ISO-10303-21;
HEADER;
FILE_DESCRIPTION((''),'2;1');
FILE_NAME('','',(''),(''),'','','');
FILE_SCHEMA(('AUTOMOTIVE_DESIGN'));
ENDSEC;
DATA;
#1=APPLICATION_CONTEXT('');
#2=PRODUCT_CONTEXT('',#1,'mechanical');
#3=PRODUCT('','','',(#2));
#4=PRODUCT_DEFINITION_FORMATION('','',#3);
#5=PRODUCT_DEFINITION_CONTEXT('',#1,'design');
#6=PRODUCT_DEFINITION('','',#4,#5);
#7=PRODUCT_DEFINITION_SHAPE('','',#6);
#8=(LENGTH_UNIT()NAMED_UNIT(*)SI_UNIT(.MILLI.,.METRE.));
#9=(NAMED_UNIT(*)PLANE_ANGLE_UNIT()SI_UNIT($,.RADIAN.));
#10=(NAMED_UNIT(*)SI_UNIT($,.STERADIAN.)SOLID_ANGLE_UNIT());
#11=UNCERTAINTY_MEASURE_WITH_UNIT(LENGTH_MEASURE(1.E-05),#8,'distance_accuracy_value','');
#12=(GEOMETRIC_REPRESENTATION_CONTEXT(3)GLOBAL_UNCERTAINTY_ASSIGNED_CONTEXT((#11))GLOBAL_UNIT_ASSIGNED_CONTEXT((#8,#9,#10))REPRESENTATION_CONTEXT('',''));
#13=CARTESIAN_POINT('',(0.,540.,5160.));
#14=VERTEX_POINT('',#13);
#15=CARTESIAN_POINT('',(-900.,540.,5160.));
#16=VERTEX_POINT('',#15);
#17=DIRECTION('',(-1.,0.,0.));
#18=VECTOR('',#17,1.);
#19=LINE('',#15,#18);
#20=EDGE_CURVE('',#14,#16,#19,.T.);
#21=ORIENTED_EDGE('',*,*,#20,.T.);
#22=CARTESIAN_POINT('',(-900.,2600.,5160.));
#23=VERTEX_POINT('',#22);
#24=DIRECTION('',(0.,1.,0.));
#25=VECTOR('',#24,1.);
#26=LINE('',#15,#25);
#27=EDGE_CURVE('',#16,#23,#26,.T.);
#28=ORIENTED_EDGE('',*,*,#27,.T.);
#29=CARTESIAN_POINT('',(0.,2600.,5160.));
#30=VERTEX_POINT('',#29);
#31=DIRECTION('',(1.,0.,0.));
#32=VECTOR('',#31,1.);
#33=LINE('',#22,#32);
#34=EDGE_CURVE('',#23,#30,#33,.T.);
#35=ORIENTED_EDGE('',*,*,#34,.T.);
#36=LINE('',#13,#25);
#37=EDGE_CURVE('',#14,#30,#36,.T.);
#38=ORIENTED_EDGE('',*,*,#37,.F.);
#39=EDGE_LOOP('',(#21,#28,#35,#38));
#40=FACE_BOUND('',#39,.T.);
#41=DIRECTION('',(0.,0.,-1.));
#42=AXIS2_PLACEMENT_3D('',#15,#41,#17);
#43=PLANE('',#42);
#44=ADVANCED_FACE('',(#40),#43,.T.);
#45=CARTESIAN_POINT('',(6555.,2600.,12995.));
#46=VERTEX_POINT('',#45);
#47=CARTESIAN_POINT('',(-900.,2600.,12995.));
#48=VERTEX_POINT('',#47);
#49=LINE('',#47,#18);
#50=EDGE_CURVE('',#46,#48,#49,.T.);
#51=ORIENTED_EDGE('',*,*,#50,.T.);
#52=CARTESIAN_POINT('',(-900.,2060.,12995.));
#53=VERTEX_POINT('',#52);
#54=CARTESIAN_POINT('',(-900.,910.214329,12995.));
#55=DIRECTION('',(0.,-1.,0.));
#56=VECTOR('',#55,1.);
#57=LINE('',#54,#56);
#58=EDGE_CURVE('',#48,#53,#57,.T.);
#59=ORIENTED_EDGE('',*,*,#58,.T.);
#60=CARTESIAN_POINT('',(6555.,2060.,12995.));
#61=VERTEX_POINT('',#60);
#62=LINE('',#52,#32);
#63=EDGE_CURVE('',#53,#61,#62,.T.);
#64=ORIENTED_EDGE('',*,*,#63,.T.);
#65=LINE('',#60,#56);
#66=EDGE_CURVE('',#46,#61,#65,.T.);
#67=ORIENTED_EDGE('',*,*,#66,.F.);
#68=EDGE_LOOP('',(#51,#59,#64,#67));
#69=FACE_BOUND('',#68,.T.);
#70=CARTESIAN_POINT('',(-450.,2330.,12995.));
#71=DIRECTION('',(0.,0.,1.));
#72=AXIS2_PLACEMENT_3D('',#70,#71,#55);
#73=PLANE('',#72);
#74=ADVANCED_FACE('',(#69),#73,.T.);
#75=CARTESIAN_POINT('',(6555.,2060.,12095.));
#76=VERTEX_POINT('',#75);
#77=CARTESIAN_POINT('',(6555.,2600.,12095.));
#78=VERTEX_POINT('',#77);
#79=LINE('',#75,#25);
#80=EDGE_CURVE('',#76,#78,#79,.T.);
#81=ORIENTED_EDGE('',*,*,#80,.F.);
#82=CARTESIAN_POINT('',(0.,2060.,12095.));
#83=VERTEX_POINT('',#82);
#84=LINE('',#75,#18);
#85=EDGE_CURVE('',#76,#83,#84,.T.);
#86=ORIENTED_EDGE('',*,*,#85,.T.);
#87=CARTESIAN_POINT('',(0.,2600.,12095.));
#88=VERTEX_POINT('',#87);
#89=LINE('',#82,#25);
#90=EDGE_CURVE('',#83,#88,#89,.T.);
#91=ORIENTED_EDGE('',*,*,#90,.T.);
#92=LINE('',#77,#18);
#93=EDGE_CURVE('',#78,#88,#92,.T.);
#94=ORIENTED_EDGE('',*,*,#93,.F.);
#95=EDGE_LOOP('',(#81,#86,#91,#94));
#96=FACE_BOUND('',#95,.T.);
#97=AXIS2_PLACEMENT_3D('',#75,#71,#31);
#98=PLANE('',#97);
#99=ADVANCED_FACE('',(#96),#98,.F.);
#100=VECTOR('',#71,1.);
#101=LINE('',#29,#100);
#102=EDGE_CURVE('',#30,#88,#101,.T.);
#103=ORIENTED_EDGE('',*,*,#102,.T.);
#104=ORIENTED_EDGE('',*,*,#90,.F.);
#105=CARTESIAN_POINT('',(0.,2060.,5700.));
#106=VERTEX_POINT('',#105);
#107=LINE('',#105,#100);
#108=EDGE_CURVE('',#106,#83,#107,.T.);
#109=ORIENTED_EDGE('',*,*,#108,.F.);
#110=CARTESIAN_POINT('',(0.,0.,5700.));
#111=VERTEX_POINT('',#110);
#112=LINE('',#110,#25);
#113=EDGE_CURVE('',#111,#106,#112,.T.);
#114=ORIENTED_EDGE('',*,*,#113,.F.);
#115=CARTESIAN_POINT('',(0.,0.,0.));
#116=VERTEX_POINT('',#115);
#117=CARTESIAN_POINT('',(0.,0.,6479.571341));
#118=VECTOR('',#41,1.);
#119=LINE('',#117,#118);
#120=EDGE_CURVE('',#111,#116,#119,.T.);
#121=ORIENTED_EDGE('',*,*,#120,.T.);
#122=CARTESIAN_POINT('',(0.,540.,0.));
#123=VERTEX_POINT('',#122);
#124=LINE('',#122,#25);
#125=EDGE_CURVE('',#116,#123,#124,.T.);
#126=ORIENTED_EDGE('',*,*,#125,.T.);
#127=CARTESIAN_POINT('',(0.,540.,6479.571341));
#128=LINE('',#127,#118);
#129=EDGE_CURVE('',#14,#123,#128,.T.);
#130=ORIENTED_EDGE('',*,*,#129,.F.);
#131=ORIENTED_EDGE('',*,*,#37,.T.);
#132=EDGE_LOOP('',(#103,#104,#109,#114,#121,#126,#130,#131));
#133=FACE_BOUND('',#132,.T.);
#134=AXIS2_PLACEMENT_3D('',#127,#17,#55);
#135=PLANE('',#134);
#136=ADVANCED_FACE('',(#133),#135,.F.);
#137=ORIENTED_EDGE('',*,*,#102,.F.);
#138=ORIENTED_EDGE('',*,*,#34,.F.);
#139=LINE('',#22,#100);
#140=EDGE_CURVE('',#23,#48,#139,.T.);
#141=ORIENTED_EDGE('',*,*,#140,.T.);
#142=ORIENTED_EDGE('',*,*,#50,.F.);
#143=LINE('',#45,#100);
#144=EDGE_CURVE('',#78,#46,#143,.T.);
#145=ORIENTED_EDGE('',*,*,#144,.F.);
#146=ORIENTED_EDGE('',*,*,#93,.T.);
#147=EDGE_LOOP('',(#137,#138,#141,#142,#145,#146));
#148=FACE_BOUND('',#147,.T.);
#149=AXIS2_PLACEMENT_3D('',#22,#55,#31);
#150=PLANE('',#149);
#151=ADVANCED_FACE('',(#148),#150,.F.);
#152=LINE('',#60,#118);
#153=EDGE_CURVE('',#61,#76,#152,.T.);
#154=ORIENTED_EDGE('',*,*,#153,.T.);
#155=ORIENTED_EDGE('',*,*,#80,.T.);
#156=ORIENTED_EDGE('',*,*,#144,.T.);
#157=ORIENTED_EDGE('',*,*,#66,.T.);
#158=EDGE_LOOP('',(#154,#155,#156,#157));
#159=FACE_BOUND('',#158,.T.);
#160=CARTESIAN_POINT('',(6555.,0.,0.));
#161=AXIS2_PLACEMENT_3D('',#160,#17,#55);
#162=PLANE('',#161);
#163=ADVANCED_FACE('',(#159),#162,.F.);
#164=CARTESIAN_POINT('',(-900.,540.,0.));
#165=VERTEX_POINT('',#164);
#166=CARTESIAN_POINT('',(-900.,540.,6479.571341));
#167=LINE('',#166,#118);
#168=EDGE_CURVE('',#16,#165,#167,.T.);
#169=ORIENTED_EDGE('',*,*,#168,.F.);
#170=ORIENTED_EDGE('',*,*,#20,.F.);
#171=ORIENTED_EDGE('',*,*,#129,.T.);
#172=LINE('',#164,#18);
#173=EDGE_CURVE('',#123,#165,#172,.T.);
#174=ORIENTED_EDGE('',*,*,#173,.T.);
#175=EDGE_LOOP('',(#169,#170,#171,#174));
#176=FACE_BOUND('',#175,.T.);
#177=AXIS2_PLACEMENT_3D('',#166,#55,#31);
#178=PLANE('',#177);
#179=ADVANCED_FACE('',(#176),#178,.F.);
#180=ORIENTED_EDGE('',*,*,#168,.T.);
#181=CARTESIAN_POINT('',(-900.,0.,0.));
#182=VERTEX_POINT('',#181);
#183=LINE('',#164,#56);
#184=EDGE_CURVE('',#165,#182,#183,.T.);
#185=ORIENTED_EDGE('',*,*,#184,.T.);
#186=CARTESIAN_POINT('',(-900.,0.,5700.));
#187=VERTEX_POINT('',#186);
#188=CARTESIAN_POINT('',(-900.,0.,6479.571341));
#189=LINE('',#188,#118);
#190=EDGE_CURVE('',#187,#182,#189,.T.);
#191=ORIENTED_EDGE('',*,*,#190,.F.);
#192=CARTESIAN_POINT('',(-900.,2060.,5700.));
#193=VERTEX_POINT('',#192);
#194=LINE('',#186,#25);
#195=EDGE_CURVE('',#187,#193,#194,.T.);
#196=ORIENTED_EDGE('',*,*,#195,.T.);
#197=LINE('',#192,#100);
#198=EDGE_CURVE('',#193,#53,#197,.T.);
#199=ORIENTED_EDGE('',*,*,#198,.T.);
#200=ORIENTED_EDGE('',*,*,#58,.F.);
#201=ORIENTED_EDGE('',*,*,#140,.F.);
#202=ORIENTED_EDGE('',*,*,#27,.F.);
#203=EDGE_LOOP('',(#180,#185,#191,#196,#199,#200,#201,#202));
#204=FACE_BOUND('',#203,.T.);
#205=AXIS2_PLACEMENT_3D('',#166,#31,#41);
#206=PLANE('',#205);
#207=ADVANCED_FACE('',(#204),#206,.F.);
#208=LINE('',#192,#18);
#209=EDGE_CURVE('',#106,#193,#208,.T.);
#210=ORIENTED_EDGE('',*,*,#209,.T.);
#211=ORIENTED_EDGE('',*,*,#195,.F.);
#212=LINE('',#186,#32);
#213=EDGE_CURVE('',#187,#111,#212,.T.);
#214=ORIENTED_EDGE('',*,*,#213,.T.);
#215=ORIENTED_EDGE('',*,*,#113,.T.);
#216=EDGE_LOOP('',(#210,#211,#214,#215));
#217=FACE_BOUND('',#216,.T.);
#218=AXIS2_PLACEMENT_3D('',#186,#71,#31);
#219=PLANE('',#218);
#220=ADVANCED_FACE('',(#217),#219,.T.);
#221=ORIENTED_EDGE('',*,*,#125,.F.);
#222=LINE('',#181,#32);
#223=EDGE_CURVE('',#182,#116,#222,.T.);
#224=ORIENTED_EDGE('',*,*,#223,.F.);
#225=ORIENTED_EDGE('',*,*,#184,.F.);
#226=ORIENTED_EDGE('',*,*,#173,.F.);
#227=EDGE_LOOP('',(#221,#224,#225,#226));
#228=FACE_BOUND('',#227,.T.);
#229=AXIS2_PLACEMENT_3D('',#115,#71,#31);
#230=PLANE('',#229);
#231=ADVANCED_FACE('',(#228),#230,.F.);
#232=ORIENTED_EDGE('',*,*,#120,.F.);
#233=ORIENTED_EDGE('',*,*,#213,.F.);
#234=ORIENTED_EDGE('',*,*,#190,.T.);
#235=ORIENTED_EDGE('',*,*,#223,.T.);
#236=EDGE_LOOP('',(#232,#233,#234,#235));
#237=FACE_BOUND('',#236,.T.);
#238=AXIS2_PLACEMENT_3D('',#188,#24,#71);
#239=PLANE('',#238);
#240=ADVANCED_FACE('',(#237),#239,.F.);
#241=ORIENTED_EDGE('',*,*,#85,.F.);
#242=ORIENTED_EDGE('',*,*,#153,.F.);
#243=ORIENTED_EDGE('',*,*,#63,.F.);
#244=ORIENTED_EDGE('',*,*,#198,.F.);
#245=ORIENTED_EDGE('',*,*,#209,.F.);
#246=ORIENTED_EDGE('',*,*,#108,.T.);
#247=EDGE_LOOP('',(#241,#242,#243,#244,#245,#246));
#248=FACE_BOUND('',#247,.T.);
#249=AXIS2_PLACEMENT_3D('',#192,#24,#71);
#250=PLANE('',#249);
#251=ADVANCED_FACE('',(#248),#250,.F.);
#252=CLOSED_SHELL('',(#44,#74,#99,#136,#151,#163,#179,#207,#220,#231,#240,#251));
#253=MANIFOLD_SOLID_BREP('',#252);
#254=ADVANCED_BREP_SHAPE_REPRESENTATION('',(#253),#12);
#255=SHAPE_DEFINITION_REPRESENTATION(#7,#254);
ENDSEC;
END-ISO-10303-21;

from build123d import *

# Parameters (mm, degrees)
SKETCH1_W           = 900
SKETCH1_H           = 540
SKETCH4_W           = 900
SKETCH4_H           = 540
BOSS_EXTRUDE1_DEPTH = 6555


with BuildPart() as part:
    # Sweep1: sweep along a path in Sketch2
    with BuildLine(Plane(origin=(0, 0, 0), x_dir=(0, 0, -1), z_dir=(1, 0, 0))) as sweep1_path:
        Line((0, 270), (-5430, 270))
        Line((-5430, 270), (-5430, 2330))
        Line((-5430, 2330), (-12995, 2330))
    # Sketch1 → Sweep1 (sweep)
    with BuildSketch(Plane.XY):
        with Locations((-450, 270)):
            Rectangle(SKETCH1_W, SKETCH1_H)
    sweep(path=sweep1_path.line, transition=Transition.RIGHT)

    # Sketch4 → Boss-Extrude1 (add)
    with BuildSketch(Plane(origin=(0, 0, 0), x_dir=(0, 0, -1), z_dir=(1, 0, 0))):
        with Locations((-12545, 2330)):
            Rectangle(SKETCH4_W, SKETCH4_H)
    extrude(amount=BOSS_EXTRUDE1_DEPTH)


solid = part.part
